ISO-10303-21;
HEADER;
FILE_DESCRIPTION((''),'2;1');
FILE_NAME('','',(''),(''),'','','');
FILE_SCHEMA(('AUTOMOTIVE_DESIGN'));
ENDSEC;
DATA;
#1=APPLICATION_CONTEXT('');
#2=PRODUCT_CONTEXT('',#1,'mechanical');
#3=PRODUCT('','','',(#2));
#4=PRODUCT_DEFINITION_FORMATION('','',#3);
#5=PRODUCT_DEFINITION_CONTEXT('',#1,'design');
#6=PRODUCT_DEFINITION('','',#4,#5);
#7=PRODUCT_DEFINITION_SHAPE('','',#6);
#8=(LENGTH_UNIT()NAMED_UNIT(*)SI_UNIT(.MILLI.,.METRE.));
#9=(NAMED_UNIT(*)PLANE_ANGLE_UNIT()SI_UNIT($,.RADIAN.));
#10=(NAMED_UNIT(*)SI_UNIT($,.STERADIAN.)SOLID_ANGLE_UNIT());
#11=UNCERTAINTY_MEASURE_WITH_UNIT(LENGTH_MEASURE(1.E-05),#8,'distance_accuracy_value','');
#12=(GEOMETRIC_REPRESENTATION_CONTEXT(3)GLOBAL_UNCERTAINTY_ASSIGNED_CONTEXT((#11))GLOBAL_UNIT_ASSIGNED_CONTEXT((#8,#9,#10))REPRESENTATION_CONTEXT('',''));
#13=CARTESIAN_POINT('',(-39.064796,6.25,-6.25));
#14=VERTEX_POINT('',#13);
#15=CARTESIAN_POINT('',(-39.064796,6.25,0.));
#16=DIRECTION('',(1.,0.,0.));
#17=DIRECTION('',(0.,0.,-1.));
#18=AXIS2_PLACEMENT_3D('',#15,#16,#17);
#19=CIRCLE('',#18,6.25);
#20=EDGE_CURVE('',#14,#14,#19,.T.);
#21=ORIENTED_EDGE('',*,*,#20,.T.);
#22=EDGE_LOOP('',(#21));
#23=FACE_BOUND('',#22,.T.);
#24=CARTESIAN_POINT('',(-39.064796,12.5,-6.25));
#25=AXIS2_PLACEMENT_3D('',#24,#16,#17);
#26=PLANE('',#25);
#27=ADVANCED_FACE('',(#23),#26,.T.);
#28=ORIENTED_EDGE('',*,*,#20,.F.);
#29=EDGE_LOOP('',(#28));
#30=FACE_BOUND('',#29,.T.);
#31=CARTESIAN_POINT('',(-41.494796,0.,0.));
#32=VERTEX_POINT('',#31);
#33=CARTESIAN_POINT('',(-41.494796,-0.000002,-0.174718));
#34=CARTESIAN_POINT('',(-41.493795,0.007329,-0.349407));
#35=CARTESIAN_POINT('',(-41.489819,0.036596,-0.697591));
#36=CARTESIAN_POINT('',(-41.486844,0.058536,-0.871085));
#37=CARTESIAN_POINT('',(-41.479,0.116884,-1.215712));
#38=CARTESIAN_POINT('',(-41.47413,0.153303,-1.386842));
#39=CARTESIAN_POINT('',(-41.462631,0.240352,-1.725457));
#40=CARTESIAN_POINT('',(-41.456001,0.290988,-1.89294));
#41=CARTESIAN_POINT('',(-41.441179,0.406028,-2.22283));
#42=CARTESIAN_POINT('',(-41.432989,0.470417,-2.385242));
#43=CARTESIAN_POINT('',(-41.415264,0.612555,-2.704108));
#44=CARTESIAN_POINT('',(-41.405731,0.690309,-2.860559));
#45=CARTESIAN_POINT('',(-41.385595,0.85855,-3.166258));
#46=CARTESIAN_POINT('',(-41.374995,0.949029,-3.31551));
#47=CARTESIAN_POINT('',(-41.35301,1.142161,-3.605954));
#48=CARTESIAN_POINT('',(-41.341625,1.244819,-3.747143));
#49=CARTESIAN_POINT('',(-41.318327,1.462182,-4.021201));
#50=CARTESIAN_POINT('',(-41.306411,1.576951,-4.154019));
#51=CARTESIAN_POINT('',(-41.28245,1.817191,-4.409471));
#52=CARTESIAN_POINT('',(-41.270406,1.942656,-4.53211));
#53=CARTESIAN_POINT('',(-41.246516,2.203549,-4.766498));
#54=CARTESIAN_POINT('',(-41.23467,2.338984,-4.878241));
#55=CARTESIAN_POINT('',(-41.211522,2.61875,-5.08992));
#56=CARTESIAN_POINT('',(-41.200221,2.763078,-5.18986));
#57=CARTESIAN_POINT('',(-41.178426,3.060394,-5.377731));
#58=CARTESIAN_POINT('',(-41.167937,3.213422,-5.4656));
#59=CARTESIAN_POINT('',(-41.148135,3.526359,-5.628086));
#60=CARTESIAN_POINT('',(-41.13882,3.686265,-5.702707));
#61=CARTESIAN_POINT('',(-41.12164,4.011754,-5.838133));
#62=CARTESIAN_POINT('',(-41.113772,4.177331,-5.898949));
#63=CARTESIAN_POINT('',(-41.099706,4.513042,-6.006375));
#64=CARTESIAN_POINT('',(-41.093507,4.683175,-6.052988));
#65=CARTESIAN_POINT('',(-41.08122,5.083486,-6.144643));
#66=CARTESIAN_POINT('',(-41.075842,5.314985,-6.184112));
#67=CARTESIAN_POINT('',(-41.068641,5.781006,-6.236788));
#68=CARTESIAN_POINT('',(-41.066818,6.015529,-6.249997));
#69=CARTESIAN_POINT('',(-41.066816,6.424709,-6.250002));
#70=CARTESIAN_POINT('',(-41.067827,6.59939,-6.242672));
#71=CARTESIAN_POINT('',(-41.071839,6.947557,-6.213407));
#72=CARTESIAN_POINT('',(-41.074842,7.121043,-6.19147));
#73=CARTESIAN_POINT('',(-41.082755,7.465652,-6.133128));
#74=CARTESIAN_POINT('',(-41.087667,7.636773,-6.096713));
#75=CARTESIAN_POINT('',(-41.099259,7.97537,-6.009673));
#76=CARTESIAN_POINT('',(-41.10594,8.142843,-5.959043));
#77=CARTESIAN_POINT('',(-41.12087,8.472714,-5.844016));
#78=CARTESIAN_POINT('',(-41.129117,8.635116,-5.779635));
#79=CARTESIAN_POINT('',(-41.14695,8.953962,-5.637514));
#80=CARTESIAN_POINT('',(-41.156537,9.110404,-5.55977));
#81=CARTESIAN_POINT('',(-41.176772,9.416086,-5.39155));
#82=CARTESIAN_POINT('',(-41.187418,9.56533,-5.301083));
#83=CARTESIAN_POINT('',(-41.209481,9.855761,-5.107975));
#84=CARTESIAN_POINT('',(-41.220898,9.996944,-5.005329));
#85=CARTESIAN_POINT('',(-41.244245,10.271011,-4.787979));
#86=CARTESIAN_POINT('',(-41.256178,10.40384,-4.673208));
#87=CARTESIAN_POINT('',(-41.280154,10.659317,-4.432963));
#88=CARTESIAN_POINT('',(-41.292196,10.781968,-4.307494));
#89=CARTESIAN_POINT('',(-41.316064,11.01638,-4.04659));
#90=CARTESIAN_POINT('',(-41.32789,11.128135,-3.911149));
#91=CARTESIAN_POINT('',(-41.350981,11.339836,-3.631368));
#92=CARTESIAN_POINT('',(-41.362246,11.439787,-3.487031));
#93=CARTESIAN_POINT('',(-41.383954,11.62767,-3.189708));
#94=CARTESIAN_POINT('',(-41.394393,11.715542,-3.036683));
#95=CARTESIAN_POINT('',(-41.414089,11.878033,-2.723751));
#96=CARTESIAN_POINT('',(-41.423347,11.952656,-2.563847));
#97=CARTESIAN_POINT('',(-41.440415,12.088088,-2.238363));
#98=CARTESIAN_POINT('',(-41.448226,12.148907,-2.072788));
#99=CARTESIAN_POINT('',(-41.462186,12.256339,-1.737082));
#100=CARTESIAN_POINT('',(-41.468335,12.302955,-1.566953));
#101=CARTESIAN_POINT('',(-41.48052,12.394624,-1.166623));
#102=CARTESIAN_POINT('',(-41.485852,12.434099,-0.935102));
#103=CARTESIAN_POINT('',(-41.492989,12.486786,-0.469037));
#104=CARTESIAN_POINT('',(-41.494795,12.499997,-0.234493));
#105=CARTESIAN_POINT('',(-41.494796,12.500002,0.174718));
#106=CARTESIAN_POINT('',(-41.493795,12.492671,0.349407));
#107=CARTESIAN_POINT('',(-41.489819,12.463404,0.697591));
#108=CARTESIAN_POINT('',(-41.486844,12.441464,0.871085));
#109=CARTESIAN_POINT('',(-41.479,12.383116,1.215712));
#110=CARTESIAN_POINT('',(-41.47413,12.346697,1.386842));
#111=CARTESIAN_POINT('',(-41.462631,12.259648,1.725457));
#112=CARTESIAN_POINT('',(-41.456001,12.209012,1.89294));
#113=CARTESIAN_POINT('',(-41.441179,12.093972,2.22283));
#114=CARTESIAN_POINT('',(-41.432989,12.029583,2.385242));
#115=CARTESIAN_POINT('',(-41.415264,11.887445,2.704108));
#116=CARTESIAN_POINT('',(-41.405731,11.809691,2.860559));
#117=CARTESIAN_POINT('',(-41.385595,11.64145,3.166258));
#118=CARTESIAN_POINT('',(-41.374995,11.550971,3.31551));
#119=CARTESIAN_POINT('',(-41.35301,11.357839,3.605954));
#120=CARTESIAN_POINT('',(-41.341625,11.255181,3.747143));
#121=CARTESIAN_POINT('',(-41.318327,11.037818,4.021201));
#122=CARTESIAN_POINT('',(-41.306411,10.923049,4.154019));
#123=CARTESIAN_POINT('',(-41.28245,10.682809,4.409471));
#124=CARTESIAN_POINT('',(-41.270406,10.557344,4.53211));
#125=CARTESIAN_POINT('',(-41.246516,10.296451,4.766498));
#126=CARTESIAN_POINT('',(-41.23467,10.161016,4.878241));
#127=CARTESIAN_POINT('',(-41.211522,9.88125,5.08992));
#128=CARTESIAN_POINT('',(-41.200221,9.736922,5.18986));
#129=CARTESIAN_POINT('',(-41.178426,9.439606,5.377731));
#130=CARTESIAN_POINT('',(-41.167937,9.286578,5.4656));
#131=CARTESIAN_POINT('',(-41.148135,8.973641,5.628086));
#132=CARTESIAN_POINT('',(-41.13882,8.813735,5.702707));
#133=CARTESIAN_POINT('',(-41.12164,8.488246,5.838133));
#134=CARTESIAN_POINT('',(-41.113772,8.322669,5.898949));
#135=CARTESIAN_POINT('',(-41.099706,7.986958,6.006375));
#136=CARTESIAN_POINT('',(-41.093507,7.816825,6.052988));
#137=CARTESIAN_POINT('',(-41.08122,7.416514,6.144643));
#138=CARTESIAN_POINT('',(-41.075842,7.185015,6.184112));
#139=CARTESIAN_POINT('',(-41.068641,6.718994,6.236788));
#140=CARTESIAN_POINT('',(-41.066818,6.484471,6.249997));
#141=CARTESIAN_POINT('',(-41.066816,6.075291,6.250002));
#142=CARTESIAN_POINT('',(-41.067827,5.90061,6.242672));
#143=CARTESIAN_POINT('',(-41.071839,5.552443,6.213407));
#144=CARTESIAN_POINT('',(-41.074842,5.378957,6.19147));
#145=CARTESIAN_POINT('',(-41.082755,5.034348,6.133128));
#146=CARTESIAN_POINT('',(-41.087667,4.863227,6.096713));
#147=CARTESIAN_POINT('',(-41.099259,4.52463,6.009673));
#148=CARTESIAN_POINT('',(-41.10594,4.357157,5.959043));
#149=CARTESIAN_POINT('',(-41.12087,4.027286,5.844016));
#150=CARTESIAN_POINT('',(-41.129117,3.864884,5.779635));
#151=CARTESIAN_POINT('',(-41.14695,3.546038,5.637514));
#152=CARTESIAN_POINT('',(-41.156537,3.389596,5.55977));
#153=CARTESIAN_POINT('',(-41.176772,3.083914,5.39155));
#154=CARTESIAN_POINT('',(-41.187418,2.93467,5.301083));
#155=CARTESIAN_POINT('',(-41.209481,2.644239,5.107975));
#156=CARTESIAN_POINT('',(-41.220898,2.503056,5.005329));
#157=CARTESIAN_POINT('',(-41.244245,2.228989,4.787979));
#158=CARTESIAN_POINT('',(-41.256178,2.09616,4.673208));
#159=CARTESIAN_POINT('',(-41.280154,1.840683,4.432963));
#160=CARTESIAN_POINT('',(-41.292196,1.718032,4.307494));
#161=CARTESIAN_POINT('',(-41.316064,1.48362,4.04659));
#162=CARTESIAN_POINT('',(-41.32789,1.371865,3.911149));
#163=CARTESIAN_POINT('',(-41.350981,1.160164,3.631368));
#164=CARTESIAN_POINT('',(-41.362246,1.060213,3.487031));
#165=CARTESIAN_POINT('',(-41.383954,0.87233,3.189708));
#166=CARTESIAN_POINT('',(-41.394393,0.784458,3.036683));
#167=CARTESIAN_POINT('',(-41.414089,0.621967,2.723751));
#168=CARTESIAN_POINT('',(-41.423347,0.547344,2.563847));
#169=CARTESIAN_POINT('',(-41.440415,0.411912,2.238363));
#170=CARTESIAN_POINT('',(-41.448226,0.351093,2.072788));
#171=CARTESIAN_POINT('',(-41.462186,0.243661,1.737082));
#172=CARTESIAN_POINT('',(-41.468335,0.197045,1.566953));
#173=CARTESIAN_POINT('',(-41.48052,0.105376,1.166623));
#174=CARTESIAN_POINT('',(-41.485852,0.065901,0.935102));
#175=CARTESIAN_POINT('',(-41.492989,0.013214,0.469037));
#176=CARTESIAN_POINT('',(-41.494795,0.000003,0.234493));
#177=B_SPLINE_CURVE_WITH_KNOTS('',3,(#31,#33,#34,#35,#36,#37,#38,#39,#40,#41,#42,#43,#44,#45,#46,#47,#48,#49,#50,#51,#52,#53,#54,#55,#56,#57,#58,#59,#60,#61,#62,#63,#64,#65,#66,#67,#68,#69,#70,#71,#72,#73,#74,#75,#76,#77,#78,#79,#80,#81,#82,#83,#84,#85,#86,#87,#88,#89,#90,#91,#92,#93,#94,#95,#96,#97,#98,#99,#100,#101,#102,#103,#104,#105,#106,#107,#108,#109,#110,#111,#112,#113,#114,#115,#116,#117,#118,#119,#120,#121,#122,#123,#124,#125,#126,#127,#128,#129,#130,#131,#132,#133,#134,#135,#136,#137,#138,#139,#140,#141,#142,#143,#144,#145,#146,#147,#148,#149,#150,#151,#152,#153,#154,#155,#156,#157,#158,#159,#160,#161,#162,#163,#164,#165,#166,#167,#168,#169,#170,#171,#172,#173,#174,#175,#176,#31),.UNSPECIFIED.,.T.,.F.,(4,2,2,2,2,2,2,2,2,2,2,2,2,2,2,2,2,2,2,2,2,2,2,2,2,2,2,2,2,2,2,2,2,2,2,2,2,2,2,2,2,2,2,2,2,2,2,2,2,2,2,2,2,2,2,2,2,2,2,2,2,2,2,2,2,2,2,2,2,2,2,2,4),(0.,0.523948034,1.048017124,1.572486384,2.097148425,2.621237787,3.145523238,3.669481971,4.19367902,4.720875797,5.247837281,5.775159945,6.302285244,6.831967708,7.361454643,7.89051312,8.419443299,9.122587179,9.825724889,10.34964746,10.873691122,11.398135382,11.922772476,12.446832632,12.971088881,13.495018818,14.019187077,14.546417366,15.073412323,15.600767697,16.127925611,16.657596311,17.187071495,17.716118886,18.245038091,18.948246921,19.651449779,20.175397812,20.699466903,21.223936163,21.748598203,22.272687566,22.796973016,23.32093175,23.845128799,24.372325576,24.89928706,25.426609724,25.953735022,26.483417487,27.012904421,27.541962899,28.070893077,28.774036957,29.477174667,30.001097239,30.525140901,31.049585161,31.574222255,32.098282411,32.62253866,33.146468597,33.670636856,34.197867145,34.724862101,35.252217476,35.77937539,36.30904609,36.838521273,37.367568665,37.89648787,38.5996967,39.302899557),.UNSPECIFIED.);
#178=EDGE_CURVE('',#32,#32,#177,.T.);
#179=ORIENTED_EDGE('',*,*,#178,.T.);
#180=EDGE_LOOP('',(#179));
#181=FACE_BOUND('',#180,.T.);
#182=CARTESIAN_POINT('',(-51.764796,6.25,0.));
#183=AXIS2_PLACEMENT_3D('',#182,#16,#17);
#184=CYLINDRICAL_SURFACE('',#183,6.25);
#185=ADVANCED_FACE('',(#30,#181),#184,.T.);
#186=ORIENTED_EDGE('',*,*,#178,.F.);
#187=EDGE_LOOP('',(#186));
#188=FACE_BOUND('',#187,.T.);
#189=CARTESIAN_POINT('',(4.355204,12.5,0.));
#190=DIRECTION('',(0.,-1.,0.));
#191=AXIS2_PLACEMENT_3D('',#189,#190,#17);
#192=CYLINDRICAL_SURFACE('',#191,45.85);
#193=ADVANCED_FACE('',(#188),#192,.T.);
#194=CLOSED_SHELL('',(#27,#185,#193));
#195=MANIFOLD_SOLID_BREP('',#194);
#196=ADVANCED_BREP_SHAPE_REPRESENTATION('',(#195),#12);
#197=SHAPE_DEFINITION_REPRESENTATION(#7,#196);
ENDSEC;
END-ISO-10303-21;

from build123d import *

# Parameters (mm, degrees)
EXTRUDE_1_DEPTH     = 12.5
CUT_EXTRUDE_8_DEPTH = 12.7


with BuildPart() as part:
    # 草图1 → 凸台-拉伸1 (new body)
    with BuildSketch(Plane(origin=(0, 0, 0), x_dir=(1, 0, 0), z_dir=(0, 1, 0))):
        with BuildLine():
            Line((-41.066816756, 6.25), (-39.064795665, 6.25))
            Line((-39.064795665, 6.25), (-39.064795665, -6.25))
            Line((-39.064795665, -6.25), (-41.066816756, -6.25))
            ThreePointArc((-41.066816756, -6.25), (-41.494795665, 0), (-41.066816756, 6.25))
        make_face()
    extrude(amount=EXTRUDE_1_DEPTH)

    # 草图2 → 切除-拉伸8 (cut)
    with BuildSketch(Plane(origin=(-39.064795665, 0, 0), x_dir=(0, 0, -1), z_dir=(1, 0, 0))):
        with BuildLine():
            Line((-6.25, 12.5), (-6.25, 6.250000002))
            ThreePointArc((-6.25, 6.250000002), (-4.419417382, 10.669417383), (0, 12.5))
            Line((0, 12.5), (-6.25, 12.5))
        make_face()
        with BuildLine():
            ThreePointArc((0, 12.5), (4.419417382, 10.669417382), (6.25, 6.25))
            Line((6.25, 6.25), (6.25, 12.5))
            Line((6.25, 12.5), (0, 12.5))
        make_face()
        with BuildLine():
            ThreePointArc((6.25, 6.25), (4.419417382, 1.830582618), (0, 0))
            Line((0, 0), (6.25, 0))
            Line((6.25, 0), (6.25, 6.25))
        make_face()
        with BuildLine():
            Line((-6.25, 6.250000002), (-6.25, 0))
            Line((-6.25, 0), (0, 0))
            ThreePointArc((0, 0), (-4.419417383, 1.830582618), (-6.25, 6.250000002))
        make_face()
    extrude(amount=-CUT_EXTRUDE_8_DEPTH, mode=Mode.SUBTRACT)


solid = part.part
